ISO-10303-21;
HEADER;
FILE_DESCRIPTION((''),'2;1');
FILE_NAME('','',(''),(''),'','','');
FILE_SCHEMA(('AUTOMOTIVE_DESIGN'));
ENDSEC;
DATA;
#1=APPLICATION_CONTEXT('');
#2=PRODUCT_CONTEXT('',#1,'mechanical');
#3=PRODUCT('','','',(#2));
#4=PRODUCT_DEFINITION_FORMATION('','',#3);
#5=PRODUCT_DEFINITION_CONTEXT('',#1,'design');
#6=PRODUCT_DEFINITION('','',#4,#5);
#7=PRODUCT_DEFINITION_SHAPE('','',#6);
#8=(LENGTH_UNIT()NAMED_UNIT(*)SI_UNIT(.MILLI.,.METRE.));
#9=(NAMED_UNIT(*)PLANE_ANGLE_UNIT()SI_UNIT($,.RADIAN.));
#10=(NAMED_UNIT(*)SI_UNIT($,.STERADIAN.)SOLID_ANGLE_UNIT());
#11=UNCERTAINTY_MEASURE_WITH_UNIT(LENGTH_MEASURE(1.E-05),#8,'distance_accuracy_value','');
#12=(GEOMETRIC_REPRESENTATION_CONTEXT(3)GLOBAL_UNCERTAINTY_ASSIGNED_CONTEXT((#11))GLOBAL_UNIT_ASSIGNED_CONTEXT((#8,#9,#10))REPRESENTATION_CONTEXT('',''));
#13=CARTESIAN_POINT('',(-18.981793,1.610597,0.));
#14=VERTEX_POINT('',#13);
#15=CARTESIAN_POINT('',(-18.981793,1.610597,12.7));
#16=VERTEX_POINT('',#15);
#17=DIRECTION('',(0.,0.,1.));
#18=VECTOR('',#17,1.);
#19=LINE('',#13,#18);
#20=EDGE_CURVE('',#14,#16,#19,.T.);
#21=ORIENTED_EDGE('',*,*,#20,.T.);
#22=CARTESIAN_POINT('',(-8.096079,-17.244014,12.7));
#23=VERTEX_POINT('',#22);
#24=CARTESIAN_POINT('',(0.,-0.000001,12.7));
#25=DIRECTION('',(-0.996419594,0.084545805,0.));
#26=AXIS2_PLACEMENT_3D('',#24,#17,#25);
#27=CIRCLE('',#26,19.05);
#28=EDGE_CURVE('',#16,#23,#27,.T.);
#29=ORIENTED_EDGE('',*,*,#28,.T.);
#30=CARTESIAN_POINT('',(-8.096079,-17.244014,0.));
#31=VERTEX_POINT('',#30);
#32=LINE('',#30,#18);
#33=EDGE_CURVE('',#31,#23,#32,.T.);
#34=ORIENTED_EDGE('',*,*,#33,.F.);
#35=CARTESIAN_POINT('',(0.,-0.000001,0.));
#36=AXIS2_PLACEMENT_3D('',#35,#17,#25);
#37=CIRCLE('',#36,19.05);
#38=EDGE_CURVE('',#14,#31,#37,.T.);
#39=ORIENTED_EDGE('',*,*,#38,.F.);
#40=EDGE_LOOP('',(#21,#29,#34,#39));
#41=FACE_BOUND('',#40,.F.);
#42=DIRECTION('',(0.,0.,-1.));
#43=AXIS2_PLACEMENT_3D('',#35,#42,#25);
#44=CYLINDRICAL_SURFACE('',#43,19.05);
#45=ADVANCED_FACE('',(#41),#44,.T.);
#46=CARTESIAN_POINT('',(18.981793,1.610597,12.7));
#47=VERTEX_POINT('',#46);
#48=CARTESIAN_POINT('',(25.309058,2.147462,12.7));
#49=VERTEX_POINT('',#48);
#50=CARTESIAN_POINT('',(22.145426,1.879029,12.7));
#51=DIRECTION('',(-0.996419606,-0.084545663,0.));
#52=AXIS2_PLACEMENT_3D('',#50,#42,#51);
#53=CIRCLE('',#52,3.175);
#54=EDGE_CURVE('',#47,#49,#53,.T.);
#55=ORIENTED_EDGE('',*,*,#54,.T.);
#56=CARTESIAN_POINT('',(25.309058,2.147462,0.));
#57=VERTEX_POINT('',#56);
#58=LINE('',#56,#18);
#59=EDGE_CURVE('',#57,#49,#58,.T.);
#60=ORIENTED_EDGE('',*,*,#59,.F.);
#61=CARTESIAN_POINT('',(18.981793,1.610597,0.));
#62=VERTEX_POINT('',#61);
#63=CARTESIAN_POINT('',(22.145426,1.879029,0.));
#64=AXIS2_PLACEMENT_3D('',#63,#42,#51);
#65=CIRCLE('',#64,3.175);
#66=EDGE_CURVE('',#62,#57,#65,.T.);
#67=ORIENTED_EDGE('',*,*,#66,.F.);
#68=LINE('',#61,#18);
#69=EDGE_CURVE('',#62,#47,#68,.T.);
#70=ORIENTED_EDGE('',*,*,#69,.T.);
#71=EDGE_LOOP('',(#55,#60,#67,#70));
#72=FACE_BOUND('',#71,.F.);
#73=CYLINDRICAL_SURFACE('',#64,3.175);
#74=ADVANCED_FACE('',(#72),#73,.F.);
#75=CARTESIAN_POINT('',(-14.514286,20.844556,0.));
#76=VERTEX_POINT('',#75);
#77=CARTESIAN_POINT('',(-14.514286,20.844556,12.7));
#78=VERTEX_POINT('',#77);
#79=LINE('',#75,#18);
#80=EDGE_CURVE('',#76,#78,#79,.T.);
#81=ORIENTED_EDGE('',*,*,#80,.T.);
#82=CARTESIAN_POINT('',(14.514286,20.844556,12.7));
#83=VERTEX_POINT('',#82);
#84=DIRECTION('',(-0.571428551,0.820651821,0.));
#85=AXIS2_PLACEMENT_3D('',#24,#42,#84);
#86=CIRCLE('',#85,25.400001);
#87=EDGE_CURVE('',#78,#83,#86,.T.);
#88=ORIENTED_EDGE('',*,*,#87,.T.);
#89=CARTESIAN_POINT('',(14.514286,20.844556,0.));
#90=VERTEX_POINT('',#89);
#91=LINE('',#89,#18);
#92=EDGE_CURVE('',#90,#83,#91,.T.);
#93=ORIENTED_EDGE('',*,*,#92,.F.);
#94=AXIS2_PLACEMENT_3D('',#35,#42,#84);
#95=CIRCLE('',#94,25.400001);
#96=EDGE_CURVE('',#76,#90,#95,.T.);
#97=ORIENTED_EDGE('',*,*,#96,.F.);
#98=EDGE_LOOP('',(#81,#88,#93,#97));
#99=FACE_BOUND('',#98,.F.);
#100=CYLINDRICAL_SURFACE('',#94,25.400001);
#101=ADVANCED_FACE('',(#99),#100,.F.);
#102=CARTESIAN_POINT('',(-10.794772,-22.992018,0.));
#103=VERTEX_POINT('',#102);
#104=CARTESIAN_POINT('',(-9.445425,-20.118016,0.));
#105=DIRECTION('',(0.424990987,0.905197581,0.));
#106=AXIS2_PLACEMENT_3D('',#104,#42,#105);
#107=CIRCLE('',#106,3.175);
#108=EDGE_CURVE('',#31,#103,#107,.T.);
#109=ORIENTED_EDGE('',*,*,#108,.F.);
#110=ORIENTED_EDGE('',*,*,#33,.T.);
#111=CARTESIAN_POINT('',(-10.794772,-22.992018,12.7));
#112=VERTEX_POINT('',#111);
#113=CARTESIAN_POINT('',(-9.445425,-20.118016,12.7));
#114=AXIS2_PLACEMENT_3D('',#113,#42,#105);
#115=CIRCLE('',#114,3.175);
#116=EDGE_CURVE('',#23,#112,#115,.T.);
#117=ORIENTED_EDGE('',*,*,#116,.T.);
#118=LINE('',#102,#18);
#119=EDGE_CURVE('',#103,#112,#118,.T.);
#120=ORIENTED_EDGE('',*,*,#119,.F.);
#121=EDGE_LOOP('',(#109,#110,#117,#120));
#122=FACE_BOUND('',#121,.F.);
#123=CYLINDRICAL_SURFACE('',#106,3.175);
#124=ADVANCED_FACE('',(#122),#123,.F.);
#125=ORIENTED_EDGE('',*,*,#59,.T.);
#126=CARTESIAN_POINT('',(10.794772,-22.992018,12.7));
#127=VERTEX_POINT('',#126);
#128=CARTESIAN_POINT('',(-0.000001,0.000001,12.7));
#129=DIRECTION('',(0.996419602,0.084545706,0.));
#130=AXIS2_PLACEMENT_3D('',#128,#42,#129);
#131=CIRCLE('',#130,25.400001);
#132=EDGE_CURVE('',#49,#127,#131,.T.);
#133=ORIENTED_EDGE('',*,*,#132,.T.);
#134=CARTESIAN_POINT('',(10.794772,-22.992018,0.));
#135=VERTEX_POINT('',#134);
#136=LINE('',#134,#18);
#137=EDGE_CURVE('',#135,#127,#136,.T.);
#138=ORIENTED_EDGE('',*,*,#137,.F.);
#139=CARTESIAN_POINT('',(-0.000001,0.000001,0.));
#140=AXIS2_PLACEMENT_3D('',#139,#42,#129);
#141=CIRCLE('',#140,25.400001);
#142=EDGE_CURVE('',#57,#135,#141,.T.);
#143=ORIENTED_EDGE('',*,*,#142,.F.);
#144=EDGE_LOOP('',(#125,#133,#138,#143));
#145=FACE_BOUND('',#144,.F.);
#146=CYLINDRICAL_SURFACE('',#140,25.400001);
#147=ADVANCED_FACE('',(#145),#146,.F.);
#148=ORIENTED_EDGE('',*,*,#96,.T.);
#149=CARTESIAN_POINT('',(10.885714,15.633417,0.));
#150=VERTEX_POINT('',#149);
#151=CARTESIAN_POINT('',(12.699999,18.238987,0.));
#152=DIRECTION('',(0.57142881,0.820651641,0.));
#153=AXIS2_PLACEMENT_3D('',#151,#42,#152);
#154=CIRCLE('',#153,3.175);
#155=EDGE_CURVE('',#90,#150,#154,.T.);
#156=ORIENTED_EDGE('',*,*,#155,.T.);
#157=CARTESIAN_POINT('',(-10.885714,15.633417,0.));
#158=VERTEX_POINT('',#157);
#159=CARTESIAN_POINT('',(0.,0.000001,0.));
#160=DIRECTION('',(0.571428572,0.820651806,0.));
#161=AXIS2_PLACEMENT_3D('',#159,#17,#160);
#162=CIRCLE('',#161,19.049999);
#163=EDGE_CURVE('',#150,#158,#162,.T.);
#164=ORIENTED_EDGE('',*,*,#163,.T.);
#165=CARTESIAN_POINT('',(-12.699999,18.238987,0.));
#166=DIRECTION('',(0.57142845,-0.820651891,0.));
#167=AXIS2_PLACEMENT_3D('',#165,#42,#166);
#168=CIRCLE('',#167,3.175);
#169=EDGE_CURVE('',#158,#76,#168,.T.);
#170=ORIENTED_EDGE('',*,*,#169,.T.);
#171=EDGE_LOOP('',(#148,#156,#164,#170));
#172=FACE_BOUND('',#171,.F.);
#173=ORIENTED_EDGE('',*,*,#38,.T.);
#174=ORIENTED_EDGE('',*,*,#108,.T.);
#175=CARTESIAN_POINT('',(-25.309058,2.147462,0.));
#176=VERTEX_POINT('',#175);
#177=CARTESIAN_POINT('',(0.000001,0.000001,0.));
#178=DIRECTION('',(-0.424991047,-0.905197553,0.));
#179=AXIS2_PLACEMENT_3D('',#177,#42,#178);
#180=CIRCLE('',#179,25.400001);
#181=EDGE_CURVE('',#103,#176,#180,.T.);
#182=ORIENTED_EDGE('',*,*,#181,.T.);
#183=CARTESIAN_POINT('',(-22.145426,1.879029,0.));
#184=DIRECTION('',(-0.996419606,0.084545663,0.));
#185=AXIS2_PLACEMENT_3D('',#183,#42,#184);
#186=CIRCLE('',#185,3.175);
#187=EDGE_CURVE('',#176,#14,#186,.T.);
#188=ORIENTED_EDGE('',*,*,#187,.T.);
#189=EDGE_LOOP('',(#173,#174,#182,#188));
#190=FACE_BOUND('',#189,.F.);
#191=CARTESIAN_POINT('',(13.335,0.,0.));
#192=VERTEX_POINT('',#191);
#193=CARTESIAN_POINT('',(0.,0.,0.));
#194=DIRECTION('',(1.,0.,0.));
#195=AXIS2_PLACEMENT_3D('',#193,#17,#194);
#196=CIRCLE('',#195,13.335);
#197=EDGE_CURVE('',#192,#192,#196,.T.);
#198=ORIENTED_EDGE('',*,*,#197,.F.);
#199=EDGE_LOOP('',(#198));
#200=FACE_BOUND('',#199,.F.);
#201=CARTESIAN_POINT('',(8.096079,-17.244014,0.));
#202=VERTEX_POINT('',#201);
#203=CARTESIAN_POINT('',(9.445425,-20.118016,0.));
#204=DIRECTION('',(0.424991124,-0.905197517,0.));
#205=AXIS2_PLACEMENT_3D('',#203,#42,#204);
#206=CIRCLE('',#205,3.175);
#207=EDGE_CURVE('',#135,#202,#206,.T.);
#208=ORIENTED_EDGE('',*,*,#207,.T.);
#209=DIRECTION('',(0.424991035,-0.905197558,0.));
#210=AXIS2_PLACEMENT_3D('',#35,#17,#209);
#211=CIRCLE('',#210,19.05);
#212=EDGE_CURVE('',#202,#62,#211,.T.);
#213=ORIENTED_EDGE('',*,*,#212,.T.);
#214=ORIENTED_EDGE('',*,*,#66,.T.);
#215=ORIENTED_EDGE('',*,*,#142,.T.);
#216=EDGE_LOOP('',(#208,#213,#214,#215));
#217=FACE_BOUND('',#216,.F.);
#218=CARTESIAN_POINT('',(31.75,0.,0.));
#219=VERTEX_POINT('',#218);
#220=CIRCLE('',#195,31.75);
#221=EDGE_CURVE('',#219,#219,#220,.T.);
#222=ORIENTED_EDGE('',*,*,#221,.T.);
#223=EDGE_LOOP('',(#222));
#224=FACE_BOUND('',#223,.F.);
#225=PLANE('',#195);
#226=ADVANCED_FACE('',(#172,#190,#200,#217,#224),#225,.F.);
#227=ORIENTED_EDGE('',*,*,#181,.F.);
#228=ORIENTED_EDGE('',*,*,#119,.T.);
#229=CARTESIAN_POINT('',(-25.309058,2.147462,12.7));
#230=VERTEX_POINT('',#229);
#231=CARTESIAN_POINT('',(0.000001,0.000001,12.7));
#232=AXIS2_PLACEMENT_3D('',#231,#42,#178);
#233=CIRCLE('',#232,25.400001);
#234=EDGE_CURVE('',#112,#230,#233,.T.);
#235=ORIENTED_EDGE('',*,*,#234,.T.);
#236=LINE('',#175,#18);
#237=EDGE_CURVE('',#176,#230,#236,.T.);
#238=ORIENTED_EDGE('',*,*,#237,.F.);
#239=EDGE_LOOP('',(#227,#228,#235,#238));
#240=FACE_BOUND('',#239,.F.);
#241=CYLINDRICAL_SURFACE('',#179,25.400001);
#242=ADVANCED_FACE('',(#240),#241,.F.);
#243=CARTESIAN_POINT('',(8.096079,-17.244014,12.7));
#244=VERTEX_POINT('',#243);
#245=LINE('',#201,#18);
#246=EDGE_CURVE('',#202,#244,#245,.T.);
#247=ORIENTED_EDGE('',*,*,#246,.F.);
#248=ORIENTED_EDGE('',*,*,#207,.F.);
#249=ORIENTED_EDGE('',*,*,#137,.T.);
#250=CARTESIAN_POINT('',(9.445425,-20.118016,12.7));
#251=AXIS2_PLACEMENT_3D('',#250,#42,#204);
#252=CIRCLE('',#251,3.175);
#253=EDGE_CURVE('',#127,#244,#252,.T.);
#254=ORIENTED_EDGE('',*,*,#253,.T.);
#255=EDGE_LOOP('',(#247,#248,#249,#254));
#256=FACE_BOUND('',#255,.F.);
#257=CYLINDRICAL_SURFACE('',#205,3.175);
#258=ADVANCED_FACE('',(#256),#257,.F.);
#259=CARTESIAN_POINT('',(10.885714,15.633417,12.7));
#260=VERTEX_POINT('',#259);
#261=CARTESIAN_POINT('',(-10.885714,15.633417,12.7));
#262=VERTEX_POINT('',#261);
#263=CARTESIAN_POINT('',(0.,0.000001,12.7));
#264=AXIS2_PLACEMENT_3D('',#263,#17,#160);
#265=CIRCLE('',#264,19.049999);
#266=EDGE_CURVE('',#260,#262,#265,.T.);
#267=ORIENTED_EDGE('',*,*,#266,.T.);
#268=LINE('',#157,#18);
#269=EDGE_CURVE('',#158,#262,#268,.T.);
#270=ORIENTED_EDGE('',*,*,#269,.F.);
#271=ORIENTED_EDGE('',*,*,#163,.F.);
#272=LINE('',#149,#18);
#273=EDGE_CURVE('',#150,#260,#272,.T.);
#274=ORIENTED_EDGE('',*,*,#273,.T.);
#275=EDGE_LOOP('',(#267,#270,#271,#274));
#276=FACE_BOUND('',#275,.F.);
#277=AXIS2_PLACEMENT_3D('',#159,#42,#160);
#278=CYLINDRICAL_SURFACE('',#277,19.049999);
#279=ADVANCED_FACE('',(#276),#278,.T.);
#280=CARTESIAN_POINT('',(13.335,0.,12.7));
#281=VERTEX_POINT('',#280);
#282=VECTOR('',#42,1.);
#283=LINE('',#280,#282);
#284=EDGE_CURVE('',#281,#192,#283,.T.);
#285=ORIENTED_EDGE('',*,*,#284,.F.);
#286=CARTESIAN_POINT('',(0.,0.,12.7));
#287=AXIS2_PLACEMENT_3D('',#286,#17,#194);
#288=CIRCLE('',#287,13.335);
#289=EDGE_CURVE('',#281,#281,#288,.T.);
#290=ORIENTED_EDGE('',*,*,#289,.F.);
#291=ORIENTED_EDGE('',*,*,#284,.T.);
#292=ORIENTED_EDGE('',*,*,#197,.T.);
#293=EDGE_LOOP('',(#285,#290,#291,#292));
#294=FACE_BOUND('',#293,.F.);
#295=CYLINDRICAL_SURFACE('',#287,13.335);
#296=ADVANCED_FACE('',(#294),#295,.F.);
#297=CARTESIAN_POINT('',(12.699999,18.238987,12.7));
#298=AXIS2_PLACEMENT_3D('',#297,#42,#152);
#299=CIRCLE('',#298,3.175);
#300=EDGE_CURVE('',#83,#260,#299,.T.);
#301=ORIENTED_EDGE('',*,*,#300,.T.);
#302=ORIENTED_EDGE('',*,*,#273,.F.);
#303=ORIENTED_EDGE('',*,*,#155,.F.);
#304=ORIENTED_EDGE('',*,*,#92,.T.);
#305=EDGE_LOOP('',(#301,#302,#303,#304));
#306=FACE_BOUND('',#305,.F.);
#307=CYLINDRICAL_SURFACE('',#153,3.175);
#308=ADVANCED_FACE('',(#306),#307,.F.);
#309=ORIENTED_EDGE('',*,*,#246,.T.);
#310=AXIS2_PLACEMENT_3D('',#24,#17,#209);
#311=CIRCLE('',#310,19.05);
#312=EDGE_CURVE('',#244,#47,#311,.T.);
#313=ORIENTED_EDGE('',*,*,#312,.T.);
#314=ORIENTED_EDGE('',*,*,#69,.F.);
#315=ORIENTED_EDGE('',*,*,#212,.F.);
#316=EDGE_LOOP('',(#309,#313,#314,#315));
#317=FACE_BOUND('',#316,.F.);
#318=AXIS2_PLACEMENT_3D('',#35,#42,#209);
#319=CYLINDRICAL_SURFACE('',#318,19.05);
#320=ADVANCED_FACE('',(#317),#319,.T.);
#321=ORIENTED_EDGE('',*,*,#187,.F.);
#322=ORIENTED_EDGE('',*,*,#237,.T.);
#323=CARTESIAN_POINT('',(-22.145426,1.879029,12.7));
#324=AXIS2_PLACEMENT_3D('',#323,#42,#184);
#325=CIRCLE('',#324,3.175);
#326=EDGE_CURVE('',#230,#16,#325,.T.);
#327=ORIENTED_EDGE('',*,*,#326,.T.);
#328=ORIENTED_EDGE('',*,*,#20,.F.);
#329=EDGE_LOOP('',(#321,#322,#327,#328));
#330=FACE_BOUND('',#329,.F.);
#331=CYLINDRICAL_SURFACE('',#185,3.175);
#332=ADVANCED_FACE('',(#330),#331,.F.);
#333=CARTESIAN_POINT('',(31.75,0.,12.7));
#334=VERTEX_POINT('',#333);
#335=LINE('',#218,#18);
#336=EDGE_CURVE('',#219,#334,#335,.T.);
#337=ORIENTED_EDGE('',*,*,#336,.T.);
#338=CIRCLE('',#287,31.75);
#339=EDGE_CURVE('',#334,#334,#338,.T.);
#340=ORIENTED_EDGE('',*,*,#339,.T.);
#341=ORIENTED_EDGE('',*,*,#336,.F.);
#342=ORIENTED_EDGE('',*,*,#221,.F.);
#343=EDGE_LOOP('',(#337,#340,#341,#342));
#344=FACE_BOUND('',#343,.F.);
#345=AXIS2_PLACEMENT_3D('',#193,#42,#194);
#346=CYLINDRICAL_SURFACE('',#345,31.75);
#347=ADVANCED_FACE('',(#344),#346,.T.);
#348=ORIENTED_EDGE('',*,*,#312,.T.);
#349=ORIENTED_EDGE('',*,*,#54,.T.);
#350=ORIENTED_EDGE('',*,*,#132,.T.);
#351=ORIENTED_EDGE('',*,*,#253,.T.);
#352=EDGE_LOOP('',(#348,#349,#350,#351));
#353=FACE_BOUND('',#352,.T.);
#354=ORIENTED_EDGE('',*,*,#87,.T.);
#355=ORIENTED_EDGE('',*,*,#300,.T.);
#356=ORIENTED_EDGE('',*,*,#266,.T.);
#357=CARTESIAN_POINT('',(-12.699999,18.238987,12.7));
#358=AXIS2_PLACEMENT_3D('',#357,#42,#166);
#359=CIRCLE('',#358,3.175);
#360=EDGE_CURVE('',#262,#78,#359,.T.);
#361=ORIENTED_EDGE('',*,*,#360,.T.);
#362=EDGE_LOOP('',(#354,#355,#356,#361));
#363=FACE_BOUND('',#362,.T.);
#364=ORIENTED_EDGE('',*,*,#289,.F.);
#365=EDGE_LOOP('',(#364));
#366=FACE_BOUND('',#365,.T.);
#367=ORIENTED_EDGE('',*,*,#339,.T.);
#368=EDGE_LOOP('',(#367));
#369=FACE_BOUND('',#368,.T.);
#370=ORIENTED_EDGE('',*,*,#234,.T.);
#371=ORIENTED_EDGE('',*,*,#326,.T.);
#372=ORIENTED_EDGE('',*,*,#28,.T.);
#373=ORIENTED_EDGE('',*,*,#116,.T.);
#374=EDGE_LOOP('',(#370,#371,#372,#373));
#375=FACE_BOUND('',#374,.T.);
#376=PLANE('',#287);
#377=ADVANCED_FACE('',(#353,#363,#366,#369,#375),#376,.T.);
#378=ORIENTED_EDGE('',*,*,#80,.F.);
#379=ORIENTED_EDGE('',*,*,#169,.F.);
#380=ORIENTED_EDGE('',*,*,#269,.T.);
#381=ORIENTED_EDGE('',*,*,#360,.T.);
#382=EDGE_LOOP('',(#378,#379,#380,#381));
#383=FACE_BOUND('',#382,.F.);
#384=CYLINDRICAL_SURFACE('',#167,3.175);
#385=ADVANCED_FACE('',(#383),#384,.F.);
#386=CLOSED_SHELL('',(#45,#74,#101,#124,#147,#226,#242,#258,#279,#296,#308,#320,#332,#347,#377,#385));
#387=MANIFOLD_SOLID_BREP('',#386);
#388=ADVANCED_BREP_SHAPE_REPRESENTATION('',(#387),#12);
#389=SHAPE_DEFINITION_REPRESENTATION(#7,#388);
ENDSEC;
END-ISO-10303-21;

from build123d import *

# Parameters (mm, degrees)
F0_R     = 31.75
F1_DEPTH = 12.7
F2_R     = 13.335
F3_DEPTH = 25.4


with BuildPart() as f1:
    # F0 (on Top) → F1 (new body)
    with BuildSketch(Plane.XY):
        Circle(F0_R)
        with BuildLine():
            ThreePointArc((-10.794772, -22.992018), (-21.997045, -12.7), (-25.309058, 2.147462))
            ThreePointArc((-25.309058, 2.147462), (-21.876993, 5.042662), (-18.981793, 1.610597))
            ThreePointArc((-18.981793, 1.610597), (-16.497784, -9.525), (-8.096079, -17.244014))
            ThreePointArc((-8.096079, -17.244014), (-6.571423, -21.467362), (-10.794772, -22.992018))
        make_face(mode=Mode.SUBTRACT)
        with BuildLine():
            ThreePointArc((25.309058, 2.147462), (21.997045, -12.7), (10.794772, -22.992018))
            ThreePointArc((10.794772, -22.992018), (6.571423, -21.467362), (8.096079, -17.244014))
            ThreePointArc((8.096079, -17.244014), (16.497784, -9.525), (18.981793, 1.610597))
            ThreePointArc((18.981793, 1.610597), (21.876993, 5.042662), (25.309058, 2.147462))
        make_face(mode=Mode.SUBTRACT)
        with BuildLine():
            ThreePointArc((10.885714, 15.633417), (0, 19.05), (-10.885714, 15.633417))
            ThreePointArc((-10.885714, 15.633417), (-15.305569, 16.424701), (-14.514286, 20.844556))
            ThreePointArc((-14.514286, 20.844556), (0, 25.4), (14.514286, 20.844556))
            ThreePointArc((14.514286, 20.844556), (15.305569, 16.424701), (10.885714, 15.633417))
        make_face(mode=Mode.SUBTRACT)
    extrude(amount=F1_DEPTH)

    # F2 (on face) → F3 (cut)
    with BuildSketch(Plane.XY.offset(12.7)):
        Circle(F2_R)
    extrude(amount=-F3_DEPTH, mode=Mode.SUBTRACT)


solid = f1.part
